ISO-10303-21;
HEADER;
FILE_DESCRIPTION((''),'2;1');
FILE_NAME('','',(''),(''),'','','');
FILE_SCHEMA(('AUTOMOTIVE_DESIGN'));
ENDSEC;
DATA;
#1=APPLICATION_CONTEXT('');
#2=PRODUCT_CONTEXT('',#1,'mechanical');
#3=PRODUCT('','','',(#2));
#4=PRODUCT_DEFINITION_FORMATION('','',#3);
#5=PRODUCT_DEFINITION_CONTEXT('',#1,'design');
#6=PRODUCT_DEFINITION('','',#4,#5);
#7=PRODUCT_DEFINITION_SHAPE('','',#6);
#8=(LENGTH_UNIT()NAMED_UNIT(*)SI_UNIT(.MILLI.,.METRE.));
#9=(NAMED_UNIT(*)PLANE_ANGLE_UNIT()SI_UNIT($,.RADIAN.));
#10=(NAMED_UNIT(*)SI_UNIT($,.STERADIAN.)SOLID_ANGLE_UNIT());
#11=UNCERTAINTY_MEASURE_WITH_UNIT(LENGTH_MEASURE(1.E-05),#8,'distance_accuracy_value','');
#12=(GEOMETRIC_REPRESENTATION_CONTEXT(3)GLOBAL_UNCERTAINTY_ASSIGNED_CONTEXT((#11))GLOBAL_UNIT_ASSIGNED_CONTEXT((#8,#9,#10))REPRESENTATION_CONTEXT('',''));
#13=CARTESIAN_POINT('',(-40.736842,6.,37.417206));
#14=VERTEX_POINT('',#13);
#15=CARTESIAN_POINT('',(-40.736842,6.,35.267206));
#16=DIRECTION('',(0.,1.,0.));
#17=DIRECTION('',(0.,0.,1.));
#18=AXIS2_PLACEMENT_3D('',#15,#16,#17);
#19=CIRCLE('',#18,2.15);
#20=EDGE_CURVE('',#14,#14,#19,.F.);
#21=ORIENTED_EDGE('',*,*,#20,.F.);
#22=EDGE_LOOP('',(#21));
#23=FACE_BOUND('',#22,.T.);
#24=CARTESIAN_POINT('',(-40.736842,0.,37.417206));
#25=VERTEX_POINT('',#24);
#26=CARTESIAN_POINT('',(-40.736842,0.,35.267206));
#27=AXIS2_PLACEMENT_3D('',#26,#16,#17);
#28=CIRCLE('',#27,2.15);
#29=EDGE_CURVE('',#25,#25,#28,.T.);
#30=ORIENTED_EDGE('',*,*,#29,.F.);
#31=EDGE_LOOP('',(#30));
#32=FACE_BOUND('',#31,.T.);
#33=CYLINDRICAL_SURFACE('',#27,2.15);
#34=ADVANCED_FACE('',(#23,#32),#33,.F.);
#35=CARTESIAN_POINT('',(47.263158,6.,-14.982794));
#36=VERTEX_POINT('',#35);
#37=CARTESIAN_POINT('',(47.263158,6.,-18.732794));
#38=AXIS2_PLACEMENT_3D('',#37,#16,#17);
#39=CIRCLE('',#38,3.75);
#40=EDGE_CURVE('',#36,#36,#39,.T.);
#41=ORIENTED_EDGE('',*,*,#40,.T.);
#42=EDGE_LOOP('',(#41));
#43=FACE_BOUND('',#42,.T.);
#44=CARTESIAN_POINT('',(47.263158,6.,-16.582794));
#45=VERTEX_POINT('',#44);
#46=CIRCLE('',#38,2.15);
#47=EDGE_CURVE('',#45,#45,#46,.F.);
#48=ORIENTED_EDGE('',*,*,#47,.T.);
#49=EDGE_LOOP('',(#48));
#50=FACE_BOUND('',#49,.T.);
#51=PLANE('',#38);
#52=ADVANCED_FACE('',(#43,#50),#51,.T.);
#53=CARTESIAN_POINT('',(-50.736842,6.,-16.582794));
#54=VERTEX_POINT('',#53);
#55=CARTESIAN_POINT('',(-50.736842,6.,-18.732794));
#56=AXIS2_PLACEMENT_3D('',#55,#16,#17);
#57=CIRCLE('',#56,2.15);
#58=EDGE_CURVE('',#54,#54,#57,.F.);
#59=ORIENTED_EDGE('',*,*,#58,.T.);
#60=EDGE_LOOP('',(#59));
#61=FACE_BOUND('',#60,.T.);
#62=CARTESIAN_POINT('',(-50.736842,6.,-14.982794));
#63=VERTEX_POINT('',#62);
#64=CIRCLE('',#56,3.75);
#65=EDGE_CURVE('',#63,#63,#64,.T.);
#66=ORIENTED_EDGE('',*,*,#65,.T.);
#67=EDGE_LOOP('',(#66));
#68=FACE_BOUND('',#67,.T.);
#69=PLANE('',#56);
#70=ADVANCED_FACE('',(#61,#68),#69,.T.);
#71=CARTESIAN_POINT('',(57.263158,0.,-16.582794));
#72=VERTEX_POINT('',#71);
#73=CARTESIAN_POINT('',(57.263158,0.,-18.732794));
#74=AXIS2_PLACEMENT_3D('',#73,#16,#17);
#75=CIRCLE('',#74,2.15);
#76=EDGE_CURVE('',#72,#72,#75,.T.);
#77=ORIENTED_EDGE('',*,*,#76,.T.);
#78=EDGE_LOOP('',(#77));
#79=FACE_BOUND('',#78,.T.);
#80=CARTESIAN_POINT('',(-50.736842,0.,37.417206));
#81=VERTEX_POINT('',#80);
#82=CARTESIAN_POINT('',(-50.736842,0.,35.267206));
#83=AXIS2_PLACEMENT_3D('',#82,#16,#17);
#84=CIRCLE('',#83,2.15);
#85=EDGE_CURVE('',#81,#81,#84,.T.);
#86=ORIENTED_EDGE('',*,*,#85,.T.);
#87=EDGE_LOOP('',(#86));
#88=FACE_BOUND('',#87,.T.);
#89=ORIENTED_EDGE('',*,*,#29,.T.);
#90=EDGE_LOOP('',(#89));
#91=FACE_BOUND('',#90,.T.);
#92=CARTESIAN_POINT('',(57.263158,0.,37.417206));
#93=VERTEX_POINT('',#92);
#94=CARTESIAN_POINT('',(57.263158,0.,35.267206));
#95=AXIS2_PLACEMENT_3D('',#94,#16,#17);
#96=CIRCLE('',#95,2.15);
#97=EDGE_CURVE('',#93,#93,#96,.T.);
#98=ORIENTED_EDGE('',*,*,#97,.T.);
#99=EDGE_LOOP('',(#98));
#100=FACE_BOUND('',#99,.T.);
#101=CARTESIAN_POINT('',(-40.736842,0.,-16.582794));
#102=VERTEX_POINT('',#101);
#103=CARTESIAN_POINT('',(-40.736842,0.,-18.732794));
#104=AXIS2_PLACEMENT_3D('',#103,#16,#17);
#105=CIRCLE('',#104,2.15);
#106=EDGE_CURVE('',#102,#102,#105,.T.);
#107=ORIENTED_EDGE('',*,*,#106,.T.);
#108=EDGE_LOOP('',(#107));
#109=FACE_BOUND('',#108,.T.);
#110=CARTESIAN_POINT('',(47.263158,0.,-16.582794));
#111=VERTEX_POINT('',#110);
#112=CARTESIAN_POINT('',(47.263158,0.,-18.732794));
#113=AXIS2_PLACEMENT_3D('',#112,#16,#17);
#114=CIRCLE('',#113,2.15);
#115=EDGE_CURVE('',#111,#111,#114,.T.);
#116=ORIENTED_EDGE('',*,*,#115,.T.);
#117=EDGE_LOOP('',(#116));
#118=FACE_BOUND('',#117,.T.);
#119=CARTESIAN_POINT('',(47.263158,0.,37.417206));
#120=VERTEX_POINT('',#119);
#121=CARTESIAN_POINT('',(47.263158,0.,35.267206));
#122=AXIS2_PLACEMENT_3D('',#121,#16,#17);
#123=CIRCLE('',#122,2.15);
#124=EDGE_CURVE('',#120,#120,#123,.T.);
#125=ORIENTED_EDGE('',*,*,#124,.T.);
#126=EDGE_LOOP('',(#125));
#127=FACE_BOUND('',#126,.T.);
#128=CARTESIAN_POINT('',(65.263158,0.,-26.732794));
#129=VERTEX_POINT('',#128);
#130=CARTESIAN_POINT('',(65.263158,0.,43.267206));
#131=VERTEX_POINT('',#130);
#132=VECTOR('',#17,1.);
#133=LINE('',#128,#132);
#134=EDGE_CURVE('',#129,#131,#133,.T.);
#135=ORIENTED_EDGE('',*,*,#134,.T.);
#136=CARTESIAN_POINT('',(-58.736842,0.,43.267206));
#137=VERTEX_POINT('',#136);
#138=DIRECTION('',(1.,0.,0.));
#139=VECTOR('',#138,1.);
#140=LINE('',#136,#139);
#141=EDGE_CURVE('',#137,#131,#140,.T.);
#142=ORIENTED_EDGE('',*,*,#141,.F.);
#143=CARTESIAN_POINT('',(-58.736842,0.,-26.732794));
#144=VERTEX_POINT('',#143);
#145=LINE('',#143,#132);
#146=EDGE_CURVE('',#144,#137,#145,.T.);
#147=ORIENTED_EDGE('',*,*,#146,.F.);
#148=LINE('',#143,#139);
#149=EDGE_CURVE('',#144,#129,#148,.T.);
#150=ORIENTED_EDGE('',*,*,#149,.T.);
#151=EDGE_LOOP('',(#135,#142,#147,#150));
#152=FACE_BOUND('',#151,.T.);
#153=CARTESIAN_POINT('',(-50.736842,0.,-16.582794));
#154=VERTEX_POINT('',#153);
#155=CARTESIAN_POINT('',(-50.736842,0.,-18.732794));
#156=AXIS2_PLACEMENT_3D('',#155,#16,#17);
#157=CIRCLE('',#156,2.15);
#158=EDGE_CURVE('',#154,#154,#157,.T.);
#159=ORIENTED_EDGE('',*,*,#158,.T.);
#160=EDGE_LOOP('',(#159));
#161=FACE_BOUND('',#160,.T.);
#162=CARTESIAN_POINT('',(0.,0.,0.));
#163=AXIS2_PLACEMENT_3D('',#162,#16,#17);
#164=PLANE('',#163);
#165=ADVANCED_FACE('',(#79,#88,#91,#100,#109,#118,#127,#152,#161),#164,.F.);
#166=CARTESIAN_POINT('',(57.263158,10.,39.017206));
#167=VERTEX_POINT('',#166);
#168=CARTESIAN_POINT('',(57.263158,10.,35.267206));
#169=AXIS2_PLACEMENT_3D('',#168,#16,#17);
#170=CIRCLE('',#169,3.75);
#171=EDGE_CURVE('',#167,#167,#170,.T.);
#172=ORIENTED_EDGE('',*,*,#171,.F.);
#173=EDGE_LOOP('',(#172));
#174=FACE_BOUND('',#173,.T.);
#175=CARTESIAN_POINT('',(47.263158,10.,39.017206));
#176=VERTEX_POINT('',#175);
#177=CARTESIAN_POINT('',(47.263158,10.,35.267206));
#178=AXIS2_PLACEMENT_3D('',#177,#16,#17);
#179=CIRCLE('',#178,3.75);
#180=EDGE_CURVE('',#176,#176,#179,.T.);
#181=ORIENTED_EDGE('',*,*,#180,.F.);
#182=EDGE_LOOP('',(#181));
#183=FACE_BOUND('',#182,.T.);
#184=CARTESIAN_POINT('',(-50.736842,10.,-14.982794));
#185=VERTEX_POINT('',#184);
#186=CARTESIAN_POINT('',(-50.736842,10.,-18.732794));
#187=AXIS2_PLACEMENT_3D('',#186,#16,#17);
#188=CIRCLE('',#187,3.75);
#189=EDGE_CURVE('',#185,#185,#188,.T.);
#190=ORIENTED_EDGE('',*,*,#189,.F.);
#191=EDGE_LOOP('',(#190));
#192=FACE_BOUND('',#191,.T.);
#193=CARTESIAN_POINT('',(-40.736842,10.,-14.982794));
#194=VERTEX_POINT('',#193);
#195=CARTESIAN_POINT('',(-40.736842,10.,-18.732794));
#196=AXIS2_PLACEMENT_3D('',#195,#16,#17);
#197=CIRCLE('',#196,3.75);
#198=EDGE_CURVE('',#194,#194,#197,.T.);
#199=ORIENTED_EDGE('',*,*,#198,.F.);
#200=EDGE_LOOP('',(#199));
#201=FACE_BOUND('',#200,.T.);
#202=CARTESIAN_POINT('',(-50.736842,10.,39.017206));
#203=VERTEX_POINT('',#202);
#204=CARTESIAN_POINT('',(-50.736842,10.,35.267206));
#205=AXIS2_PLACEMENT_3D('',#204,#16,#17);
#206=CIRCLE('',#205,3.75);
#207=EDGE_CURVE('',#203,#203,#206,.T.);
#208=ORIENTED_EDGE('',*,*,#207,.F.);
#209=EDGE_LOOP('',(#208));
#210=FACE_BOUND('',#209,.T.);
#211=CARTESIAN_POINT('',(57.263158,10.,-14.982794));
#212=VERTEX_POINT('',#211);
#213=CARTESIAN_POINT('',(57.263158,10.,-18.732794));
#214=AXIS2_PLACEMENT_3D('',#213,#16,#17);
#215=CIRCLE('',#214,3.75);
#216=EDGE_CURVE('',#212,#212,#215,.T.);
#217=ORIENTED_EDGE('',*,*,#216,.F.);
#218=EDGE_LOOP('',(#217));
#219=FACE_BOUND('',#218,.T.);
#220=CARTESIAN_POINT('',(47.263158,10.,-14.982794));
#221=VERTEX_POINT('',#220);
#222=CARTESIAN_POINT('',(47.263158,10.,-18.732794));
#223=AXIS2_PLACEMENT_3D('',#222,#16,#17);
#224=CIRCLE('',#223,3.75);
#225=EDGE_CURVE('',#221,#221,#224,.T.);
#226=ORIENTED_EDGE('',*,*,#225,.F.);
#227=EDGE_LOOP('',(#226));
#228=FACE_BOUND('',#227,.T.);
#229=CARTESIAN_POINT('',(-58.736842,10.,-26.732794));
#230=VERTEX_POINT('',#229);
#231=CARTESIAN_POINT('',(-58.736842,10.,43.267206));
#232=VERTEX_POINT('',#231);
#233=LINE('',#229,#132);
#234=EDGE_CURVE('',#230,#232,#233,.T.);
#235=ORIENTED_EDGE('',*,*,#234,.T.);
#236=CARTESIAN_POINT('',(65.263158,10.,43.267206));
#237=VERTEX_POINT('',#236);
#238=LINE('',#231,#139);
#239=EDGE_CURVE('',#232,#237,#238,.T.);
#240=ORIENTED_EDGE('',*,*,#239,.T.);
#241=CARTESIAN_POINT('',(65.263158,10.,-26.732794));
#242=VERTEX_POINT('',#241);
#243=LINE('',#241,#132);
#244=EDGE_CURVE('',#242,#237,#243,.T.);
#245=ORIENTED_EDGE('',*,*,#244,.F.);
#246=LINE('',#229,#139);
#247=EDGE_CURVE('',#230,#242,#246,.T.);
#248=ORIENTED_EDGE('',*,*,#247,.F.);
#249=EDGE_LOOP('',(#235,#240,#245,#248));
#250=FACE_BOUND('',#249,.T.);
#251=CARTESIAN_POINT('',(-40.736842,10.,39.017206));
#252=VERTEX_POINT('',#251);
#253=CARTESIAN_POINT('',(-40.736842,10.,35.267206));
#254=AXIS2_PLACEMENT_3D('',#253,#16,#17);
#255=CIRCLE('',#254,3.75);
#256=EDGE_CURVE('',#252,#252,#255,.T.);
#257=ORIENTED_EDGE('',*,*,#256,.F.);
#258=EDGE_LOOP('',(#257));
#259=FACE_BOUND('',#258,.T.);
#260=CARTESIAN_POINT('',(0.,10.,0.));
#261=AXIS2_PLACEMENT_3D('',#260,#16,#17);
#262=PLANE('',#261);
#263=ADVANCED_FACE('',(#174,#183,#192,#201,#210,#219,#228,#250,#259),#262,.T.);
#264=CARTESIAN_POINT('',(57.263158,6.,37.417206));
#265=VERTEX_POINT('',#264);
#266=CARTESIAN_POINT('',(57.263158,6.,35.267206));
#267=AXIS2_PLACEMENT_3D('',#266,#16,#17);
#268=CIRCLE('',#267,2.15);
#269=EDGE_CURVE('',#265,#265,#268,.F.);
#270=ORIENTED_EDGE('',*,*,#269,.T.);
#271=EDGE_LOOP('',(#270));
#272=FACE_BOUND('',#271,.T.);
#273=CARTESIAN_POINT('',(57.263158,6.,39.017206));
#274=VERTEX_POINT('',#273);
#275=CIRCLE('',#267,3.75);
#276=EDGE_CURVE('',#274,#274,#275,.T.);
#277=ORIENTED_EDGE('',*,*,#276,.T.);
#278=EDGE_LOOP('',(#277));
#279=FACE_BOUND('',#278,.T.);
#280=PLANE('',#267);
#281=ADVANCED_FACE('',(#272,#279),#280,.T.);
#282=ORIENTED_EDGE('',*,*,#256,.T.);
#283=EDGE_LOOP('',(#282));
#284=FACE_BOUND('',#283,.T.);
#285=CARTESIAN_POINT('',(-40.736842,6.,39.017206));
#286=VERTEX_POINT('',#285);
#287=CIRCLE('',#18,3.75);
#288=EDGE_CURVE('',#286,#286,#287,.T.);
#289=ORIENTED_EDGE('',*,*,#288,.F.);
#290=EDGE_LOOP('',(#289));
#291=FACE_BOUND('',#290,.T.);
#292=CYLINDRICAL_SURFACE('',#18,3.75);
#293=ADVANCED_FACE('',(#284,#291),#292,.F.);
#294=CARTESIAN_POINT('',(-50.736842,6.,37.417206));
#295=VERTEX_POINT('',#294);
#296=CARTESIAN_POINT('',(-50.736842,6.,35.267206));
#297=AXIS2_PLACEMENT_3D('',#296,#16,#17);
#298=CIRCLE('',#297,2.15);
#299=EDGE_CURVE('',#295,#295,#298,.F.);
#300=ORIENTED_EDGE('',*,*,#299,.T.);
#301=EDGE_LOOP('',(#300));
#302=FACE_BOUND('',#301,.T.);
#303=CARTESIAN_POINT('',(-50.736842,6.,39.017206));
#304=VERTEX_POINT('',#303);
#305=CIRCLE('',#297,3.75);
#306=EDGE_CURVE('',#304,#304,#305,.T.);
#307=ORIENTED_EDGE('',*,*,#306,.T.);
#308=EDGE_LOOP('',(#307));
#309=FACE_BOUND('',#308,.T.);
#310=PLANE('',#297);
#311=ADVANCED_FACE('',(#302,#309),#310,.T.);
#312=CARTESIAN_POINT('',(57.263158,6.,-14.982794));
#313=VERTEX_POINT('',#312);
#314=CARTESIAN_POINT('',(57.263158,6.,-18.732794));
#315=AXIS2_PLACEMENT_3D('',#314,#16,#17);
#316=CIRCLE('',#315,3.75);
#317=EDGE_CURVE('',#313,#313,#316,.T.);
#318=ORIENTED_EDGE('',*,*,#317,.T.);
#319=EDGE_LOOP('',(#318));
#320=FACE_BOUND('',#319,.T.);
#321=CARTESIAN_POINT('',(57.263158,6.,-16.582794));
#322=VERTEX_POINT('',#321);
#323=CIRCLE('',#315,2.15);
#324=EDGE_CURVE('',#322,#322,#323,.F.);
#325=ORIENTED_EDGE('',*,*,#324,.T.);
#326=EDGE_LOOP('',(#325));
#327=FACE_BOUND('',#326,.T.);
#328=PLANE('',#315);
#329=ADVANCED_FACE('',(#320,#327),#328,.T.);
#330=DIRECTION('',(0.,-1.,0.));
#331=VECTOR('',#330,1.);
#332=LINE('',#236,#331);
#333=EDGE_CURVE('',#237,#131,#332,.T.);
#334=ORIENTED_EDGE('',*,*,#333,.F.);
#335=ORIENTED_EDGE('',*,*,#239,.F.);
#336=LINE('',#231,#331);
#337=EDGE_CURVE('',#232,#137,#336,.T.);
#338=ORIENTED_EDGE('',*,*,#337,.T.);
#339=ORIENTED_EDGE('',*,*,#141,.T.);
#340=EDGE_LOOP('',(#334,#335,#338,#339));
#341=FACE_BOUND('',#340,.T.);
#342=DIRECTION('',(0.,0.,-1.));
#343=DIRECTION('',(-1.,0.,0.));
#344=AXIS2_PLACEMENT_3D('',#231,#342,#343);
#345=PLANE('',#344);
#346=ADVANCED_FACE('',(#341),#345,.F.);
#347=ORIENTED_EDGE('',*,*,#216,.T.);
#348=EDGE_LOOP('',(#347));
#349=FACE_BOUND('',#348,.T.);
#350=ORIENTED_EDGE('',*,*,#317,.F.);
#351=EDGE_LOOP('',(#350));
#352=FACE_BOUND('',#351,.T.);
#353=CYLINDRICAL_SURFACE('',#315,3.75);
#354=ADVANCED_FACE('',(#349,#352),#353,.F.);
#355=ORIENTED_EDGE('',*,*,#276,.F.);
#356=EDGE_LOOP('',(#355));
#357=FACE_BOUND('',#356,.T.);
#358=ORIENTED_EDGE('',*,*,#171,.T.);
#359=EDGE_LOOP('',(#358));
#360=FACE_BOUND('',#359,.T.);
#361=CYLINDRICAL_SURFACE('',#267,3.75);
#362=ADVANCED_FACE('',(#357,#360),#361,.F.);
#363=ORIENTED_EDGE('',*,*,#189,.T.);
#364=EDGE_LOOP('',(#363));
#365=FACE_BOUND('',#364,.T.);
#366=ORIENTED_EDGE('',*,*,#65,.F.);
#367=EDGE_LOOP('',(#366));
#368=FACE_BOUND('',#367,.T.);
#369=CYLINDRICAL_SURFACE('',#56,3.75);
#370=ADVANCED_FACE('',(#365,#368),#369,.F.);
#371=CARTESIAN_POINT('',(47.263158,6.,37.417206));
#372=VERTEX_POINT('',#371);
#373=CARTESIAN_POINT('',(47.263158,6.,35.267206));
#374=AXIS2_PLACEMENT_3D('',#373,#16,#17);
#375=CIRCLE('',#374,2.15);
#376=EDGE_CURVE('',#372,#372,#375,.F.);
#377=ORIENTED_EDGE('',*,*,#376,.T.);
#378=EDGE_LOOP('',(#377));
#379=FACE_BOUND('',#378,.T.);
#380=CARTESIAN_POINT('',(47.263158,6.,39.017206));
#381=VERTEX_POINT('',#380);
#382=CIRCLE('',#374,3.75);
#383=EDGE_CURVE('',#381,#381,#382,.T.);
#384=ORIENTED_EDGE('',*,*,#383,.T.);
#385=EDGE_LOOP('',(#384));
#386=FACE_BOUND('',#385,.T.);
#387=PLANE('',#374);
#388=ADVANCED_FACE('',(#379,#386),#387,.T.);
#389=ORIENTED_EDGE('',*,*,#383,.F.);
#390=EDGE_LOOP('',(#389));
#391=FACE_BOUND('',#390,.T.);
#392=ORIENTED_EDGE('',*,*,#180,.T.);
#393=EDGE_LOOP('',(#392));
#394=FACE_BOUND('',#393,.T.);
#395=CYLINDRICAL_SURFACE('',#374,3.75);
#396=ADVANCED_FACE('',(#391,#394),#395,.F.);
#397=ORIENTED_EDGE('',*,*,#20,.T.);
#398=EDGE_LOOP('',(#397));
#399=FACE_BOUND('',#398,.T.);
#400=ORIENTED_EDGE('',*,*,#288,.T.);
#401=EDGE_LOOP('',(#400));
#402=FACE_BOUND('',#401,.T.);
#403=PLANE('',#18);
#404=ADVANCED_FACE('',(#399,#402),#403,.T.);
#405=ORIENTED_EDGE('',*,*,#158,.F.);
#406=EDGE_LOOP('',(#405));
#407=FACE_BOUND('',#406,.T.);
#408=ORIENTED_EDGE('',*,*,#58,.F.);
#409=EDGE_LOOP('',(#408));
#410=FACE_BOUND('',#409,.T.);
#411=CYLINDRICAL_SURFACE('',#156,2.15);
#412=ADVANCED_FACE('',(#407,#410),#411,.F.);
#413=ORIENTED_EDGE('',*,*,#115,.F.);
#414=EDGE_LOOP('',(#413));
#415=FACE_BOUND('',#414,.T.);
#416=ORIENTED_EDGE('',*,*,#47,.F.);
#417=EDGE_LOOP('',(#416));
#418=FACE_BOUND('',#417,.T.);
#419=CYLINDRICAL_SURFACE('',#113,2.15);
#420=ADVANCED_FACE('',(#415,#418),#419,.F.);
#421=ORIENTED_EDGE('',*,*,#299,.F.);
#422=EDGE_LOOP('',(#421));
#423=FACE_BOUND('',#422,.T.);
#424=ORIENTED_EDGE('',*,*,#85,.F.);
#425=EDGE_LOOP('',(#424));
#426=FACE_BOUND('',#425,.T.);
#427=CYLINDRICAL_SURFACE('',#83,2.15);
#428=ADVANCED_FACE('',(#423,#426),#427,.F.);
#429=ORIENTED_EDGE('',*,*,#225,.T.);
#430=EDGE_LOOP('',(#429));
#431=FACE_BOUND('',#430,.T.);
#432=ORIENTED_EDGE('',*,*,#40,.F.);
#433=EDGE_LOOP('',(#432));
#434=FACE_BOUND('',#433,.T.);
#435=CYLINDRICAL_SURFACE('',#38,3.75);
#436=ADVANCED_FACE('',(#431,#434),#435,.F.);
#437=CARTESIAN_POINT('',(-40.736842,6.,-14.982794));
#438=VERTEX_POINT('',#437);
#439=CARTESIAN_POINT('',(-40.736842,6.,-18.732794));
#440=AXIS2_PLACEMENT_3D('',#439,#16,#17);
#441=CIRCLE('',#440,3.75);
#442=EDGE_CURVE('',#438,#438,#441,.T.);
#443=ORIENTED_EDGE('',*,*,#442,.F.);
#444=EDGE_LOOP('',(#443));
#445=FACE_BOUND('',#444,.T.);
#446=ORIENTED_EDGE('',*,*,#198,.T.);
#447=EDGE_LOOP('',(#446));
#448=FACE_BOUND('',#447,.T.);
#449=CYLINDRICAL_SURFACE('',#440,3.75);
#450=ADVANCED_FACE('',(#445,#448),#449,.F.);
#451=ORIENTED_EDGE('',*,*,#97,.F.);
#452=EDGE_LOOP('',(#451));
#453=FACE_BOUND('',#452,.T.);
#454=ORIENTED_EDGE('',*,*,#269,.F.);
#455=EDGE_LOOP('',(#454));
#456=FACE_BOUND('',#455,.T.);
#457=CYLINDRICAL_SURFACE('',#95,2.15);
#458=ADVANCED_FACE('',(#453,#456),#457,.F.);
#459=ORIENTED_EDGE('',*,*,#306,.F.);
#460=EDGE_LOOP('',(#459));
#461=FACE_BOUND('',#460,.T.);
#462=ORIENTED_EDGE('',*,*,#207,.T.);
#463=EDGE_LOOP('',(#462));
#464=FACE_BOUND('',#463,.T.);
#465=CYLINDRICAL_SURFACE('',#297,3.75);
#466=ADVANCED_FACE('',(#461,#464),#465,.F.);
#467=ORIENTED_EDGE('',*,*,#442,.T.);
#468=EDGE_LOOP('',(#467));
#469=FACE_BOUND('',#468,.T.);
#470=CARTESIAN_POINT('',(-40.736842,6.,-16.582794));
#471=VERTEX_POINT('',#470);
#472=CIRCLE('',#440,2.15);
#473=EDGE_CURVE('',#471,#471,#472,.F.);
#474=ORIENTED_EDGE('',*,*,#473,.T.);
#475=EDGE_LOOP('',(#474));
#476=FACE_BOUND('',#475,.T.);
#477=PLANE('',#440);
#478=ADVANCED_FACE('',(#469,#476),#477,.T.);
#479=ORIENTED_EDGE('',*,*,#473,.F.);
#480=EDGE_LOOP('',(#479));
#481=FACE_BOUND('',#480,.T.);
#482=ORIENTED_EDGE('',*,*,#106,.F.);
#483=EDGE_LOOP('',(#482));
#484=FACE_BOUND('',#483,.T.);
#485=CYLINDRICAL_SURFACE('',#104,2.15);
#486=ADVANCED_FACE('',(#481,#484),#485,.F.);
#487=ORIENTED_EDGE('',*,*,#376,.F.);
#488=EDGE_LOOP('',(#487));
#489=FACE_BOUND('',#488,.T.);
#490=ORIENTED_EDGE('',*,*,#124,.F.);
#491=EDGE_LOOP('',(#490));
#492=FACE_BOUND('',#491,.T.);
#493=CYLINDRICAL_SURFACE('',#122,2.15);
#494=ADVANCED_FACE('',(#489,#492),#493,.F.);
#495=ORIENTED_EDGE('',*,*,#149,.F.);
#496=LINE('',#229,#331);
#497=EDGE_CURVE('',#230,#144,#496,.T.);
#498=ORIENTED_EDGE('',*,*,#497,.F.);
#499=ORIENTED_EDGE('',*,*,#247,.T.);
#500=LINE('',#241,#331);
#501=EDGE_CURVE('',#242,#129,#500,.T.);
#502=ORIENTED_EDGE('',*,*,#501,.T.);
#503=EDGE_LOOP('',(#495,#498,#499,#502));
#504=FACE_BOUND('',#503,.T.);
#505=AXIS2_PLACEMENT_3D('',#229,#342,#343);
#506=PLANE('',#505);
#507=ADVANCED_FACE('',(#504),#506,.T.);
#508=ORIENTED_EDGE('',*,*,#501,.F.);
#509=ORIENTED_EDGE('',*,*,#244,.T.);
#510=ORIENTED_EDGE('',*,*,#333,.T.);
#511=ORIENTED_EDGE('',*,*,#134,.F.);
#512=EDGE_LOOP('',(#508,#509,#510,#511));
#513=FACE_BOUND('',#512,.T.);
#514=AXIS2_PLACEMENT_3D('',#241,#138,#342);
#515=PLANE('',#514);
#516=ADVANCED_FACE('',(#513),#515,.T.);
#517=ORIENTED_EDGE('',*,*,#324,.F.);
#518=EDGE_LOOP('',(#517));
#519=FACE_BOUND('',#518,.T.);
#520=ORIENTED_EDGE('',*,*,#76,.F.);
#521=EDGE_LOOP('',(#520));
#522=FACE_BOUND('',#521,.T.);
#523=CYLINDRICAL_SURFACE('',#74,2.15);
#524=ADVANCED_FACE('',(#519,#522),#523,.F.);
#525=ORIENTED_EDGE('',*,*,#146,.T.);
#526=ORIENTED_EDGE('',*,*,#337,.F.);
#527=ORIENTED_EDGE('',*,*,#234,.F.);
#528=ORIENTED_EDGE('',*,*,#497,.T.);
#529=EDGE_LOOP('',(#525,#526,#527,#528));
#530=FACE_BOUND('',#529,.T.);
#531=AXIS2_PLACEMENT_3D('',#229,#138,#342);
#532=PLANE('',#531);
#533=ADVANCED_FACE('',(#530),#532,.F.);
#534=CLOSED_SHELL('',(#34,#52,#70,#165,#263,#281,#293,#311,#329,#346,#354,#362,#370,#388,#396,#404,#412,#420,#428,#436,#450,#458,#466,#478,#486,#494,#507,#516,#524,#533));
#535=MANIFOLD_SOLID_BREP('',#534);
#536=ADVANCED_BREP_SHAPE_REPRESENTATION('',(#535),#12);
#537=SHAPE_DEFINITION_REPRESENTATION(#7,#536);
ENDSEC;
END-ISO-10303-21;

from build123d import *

# Parameters (mm, degrees)
SKETCH1_W           = 124
SKETCH1_H           = 70
BOSS_EXTRUDE1_DEPTH = 10
SKETCH11_R          = 2.15
CUT_EXTRUDE4_DEPTH  = 79.938779664
SKETCH17_R          = 3.75
CUT_EXTRUDE5_DEPTH  = 4


with BuildPart() as part:
    # Sketch1 → Boss-Extrude1 (new body)
    with BuildSketch(Plane(origin=(0, 0, 0), x_dir=(1, 0, 0), z_dir=(0, 1, 0))):
        with Locations((3.263157895, -8.267206478)):
            Rectangle(SKETCH1_W, SKETCH1_H)
    extrude(amount=BOSS_EXTRUDE1_DEPTH)

    # Sketch11 → Cut-Extrude4 (cut, through all)
    with BuildSketch(Plane(origin=(0, 10, 0), x_dir=(1, 0, 0), z_dir=(0, 1, 0))):
        with Locations(Location((-50.736842105, 18.732793522, 0), (0, 0, 270))):
            Circle(SKETCH11_R)
        with Locations(Location((-40.736842105, 18.732793522, 0), (0, 0, 270))):
            Circle(SKETCH11_R)
        with Locations(Location((-50.736842105, -35.267206478, 0), (0, 0, 270))):
            Circle(SKETCH11_R)
        with Locations(Location((-40.736842105, -35.267206478, 0), (0, 0, 270))):
            Circle(SKETCH11_R)
        with Locations(Location((47.263157895, 18.732793522, 0), (0, 0, 270))):
            Circle(SKETCH11_R)
        with Locations(Location((57.263157895, 18.732793522, 0), (0, 0, 270))):
            Circle(SKETCH11_R)
        with Locations(Location((47.263157895, -35.267206478, 0), (0, 0, 270))):
            Circle(SKETCH11_R)
        with Locations(Location((57.263157895, -35.267206478, 0), (0, 0, 270))):
            Circle(SKETCH11_R)
    extrude(amount=-CUT_EXTRUDE4_DEPTH, mode=Mode.SUBTRACT)

    # Sketch17 → Cut-Extrude5 (cut)
    with BuildSketch(Plane(origin=(0, 10, 0), x_dir=(1, 0, 0), z_dir=(0, 1, 0))):
        with Locations(Location((-50.736842105, 18.732793522, 0), (0, 0, 270))):
            Circle(SKETCH17_R)
        with Locations(Location((-40.736842105, 18.732793522, 0), (0, 0, 270))):
            Circle(SKETCH17_R)
        with Locations(Location((47.263157895, 18.732793522, 0), (0, 0, 270))):
            Circle(SKETCH17_R)
        with Locations(Location((57.263157895, 18.732793522, 0), (0, 0, 270))):
            Circle(SKETCH17_R)
        with Locations(Location((57.263157895, -35.267206478, 0), (0, 0, 270))):
            Circle(SKETCH17_R)
        with Locations(Location((47.263157895, -35.267206478, 0), (0, 0, 270))):
            Circle(SKETCH17_R)
        with Locations(Location((-40.736842105, -35.267206478, 0), (0, 0, 270))):
            Circle(SKETCH17_R)
        with Locations(Location((-50.736842105, -35.267206478, 0), (0, 0, 270))):
            Circle(SKETCH17_R)
    extrude(amount=-CUT_EXTRUDE5_DEPTH, mode=Mode.SUBTRACT)


solid = part.part
